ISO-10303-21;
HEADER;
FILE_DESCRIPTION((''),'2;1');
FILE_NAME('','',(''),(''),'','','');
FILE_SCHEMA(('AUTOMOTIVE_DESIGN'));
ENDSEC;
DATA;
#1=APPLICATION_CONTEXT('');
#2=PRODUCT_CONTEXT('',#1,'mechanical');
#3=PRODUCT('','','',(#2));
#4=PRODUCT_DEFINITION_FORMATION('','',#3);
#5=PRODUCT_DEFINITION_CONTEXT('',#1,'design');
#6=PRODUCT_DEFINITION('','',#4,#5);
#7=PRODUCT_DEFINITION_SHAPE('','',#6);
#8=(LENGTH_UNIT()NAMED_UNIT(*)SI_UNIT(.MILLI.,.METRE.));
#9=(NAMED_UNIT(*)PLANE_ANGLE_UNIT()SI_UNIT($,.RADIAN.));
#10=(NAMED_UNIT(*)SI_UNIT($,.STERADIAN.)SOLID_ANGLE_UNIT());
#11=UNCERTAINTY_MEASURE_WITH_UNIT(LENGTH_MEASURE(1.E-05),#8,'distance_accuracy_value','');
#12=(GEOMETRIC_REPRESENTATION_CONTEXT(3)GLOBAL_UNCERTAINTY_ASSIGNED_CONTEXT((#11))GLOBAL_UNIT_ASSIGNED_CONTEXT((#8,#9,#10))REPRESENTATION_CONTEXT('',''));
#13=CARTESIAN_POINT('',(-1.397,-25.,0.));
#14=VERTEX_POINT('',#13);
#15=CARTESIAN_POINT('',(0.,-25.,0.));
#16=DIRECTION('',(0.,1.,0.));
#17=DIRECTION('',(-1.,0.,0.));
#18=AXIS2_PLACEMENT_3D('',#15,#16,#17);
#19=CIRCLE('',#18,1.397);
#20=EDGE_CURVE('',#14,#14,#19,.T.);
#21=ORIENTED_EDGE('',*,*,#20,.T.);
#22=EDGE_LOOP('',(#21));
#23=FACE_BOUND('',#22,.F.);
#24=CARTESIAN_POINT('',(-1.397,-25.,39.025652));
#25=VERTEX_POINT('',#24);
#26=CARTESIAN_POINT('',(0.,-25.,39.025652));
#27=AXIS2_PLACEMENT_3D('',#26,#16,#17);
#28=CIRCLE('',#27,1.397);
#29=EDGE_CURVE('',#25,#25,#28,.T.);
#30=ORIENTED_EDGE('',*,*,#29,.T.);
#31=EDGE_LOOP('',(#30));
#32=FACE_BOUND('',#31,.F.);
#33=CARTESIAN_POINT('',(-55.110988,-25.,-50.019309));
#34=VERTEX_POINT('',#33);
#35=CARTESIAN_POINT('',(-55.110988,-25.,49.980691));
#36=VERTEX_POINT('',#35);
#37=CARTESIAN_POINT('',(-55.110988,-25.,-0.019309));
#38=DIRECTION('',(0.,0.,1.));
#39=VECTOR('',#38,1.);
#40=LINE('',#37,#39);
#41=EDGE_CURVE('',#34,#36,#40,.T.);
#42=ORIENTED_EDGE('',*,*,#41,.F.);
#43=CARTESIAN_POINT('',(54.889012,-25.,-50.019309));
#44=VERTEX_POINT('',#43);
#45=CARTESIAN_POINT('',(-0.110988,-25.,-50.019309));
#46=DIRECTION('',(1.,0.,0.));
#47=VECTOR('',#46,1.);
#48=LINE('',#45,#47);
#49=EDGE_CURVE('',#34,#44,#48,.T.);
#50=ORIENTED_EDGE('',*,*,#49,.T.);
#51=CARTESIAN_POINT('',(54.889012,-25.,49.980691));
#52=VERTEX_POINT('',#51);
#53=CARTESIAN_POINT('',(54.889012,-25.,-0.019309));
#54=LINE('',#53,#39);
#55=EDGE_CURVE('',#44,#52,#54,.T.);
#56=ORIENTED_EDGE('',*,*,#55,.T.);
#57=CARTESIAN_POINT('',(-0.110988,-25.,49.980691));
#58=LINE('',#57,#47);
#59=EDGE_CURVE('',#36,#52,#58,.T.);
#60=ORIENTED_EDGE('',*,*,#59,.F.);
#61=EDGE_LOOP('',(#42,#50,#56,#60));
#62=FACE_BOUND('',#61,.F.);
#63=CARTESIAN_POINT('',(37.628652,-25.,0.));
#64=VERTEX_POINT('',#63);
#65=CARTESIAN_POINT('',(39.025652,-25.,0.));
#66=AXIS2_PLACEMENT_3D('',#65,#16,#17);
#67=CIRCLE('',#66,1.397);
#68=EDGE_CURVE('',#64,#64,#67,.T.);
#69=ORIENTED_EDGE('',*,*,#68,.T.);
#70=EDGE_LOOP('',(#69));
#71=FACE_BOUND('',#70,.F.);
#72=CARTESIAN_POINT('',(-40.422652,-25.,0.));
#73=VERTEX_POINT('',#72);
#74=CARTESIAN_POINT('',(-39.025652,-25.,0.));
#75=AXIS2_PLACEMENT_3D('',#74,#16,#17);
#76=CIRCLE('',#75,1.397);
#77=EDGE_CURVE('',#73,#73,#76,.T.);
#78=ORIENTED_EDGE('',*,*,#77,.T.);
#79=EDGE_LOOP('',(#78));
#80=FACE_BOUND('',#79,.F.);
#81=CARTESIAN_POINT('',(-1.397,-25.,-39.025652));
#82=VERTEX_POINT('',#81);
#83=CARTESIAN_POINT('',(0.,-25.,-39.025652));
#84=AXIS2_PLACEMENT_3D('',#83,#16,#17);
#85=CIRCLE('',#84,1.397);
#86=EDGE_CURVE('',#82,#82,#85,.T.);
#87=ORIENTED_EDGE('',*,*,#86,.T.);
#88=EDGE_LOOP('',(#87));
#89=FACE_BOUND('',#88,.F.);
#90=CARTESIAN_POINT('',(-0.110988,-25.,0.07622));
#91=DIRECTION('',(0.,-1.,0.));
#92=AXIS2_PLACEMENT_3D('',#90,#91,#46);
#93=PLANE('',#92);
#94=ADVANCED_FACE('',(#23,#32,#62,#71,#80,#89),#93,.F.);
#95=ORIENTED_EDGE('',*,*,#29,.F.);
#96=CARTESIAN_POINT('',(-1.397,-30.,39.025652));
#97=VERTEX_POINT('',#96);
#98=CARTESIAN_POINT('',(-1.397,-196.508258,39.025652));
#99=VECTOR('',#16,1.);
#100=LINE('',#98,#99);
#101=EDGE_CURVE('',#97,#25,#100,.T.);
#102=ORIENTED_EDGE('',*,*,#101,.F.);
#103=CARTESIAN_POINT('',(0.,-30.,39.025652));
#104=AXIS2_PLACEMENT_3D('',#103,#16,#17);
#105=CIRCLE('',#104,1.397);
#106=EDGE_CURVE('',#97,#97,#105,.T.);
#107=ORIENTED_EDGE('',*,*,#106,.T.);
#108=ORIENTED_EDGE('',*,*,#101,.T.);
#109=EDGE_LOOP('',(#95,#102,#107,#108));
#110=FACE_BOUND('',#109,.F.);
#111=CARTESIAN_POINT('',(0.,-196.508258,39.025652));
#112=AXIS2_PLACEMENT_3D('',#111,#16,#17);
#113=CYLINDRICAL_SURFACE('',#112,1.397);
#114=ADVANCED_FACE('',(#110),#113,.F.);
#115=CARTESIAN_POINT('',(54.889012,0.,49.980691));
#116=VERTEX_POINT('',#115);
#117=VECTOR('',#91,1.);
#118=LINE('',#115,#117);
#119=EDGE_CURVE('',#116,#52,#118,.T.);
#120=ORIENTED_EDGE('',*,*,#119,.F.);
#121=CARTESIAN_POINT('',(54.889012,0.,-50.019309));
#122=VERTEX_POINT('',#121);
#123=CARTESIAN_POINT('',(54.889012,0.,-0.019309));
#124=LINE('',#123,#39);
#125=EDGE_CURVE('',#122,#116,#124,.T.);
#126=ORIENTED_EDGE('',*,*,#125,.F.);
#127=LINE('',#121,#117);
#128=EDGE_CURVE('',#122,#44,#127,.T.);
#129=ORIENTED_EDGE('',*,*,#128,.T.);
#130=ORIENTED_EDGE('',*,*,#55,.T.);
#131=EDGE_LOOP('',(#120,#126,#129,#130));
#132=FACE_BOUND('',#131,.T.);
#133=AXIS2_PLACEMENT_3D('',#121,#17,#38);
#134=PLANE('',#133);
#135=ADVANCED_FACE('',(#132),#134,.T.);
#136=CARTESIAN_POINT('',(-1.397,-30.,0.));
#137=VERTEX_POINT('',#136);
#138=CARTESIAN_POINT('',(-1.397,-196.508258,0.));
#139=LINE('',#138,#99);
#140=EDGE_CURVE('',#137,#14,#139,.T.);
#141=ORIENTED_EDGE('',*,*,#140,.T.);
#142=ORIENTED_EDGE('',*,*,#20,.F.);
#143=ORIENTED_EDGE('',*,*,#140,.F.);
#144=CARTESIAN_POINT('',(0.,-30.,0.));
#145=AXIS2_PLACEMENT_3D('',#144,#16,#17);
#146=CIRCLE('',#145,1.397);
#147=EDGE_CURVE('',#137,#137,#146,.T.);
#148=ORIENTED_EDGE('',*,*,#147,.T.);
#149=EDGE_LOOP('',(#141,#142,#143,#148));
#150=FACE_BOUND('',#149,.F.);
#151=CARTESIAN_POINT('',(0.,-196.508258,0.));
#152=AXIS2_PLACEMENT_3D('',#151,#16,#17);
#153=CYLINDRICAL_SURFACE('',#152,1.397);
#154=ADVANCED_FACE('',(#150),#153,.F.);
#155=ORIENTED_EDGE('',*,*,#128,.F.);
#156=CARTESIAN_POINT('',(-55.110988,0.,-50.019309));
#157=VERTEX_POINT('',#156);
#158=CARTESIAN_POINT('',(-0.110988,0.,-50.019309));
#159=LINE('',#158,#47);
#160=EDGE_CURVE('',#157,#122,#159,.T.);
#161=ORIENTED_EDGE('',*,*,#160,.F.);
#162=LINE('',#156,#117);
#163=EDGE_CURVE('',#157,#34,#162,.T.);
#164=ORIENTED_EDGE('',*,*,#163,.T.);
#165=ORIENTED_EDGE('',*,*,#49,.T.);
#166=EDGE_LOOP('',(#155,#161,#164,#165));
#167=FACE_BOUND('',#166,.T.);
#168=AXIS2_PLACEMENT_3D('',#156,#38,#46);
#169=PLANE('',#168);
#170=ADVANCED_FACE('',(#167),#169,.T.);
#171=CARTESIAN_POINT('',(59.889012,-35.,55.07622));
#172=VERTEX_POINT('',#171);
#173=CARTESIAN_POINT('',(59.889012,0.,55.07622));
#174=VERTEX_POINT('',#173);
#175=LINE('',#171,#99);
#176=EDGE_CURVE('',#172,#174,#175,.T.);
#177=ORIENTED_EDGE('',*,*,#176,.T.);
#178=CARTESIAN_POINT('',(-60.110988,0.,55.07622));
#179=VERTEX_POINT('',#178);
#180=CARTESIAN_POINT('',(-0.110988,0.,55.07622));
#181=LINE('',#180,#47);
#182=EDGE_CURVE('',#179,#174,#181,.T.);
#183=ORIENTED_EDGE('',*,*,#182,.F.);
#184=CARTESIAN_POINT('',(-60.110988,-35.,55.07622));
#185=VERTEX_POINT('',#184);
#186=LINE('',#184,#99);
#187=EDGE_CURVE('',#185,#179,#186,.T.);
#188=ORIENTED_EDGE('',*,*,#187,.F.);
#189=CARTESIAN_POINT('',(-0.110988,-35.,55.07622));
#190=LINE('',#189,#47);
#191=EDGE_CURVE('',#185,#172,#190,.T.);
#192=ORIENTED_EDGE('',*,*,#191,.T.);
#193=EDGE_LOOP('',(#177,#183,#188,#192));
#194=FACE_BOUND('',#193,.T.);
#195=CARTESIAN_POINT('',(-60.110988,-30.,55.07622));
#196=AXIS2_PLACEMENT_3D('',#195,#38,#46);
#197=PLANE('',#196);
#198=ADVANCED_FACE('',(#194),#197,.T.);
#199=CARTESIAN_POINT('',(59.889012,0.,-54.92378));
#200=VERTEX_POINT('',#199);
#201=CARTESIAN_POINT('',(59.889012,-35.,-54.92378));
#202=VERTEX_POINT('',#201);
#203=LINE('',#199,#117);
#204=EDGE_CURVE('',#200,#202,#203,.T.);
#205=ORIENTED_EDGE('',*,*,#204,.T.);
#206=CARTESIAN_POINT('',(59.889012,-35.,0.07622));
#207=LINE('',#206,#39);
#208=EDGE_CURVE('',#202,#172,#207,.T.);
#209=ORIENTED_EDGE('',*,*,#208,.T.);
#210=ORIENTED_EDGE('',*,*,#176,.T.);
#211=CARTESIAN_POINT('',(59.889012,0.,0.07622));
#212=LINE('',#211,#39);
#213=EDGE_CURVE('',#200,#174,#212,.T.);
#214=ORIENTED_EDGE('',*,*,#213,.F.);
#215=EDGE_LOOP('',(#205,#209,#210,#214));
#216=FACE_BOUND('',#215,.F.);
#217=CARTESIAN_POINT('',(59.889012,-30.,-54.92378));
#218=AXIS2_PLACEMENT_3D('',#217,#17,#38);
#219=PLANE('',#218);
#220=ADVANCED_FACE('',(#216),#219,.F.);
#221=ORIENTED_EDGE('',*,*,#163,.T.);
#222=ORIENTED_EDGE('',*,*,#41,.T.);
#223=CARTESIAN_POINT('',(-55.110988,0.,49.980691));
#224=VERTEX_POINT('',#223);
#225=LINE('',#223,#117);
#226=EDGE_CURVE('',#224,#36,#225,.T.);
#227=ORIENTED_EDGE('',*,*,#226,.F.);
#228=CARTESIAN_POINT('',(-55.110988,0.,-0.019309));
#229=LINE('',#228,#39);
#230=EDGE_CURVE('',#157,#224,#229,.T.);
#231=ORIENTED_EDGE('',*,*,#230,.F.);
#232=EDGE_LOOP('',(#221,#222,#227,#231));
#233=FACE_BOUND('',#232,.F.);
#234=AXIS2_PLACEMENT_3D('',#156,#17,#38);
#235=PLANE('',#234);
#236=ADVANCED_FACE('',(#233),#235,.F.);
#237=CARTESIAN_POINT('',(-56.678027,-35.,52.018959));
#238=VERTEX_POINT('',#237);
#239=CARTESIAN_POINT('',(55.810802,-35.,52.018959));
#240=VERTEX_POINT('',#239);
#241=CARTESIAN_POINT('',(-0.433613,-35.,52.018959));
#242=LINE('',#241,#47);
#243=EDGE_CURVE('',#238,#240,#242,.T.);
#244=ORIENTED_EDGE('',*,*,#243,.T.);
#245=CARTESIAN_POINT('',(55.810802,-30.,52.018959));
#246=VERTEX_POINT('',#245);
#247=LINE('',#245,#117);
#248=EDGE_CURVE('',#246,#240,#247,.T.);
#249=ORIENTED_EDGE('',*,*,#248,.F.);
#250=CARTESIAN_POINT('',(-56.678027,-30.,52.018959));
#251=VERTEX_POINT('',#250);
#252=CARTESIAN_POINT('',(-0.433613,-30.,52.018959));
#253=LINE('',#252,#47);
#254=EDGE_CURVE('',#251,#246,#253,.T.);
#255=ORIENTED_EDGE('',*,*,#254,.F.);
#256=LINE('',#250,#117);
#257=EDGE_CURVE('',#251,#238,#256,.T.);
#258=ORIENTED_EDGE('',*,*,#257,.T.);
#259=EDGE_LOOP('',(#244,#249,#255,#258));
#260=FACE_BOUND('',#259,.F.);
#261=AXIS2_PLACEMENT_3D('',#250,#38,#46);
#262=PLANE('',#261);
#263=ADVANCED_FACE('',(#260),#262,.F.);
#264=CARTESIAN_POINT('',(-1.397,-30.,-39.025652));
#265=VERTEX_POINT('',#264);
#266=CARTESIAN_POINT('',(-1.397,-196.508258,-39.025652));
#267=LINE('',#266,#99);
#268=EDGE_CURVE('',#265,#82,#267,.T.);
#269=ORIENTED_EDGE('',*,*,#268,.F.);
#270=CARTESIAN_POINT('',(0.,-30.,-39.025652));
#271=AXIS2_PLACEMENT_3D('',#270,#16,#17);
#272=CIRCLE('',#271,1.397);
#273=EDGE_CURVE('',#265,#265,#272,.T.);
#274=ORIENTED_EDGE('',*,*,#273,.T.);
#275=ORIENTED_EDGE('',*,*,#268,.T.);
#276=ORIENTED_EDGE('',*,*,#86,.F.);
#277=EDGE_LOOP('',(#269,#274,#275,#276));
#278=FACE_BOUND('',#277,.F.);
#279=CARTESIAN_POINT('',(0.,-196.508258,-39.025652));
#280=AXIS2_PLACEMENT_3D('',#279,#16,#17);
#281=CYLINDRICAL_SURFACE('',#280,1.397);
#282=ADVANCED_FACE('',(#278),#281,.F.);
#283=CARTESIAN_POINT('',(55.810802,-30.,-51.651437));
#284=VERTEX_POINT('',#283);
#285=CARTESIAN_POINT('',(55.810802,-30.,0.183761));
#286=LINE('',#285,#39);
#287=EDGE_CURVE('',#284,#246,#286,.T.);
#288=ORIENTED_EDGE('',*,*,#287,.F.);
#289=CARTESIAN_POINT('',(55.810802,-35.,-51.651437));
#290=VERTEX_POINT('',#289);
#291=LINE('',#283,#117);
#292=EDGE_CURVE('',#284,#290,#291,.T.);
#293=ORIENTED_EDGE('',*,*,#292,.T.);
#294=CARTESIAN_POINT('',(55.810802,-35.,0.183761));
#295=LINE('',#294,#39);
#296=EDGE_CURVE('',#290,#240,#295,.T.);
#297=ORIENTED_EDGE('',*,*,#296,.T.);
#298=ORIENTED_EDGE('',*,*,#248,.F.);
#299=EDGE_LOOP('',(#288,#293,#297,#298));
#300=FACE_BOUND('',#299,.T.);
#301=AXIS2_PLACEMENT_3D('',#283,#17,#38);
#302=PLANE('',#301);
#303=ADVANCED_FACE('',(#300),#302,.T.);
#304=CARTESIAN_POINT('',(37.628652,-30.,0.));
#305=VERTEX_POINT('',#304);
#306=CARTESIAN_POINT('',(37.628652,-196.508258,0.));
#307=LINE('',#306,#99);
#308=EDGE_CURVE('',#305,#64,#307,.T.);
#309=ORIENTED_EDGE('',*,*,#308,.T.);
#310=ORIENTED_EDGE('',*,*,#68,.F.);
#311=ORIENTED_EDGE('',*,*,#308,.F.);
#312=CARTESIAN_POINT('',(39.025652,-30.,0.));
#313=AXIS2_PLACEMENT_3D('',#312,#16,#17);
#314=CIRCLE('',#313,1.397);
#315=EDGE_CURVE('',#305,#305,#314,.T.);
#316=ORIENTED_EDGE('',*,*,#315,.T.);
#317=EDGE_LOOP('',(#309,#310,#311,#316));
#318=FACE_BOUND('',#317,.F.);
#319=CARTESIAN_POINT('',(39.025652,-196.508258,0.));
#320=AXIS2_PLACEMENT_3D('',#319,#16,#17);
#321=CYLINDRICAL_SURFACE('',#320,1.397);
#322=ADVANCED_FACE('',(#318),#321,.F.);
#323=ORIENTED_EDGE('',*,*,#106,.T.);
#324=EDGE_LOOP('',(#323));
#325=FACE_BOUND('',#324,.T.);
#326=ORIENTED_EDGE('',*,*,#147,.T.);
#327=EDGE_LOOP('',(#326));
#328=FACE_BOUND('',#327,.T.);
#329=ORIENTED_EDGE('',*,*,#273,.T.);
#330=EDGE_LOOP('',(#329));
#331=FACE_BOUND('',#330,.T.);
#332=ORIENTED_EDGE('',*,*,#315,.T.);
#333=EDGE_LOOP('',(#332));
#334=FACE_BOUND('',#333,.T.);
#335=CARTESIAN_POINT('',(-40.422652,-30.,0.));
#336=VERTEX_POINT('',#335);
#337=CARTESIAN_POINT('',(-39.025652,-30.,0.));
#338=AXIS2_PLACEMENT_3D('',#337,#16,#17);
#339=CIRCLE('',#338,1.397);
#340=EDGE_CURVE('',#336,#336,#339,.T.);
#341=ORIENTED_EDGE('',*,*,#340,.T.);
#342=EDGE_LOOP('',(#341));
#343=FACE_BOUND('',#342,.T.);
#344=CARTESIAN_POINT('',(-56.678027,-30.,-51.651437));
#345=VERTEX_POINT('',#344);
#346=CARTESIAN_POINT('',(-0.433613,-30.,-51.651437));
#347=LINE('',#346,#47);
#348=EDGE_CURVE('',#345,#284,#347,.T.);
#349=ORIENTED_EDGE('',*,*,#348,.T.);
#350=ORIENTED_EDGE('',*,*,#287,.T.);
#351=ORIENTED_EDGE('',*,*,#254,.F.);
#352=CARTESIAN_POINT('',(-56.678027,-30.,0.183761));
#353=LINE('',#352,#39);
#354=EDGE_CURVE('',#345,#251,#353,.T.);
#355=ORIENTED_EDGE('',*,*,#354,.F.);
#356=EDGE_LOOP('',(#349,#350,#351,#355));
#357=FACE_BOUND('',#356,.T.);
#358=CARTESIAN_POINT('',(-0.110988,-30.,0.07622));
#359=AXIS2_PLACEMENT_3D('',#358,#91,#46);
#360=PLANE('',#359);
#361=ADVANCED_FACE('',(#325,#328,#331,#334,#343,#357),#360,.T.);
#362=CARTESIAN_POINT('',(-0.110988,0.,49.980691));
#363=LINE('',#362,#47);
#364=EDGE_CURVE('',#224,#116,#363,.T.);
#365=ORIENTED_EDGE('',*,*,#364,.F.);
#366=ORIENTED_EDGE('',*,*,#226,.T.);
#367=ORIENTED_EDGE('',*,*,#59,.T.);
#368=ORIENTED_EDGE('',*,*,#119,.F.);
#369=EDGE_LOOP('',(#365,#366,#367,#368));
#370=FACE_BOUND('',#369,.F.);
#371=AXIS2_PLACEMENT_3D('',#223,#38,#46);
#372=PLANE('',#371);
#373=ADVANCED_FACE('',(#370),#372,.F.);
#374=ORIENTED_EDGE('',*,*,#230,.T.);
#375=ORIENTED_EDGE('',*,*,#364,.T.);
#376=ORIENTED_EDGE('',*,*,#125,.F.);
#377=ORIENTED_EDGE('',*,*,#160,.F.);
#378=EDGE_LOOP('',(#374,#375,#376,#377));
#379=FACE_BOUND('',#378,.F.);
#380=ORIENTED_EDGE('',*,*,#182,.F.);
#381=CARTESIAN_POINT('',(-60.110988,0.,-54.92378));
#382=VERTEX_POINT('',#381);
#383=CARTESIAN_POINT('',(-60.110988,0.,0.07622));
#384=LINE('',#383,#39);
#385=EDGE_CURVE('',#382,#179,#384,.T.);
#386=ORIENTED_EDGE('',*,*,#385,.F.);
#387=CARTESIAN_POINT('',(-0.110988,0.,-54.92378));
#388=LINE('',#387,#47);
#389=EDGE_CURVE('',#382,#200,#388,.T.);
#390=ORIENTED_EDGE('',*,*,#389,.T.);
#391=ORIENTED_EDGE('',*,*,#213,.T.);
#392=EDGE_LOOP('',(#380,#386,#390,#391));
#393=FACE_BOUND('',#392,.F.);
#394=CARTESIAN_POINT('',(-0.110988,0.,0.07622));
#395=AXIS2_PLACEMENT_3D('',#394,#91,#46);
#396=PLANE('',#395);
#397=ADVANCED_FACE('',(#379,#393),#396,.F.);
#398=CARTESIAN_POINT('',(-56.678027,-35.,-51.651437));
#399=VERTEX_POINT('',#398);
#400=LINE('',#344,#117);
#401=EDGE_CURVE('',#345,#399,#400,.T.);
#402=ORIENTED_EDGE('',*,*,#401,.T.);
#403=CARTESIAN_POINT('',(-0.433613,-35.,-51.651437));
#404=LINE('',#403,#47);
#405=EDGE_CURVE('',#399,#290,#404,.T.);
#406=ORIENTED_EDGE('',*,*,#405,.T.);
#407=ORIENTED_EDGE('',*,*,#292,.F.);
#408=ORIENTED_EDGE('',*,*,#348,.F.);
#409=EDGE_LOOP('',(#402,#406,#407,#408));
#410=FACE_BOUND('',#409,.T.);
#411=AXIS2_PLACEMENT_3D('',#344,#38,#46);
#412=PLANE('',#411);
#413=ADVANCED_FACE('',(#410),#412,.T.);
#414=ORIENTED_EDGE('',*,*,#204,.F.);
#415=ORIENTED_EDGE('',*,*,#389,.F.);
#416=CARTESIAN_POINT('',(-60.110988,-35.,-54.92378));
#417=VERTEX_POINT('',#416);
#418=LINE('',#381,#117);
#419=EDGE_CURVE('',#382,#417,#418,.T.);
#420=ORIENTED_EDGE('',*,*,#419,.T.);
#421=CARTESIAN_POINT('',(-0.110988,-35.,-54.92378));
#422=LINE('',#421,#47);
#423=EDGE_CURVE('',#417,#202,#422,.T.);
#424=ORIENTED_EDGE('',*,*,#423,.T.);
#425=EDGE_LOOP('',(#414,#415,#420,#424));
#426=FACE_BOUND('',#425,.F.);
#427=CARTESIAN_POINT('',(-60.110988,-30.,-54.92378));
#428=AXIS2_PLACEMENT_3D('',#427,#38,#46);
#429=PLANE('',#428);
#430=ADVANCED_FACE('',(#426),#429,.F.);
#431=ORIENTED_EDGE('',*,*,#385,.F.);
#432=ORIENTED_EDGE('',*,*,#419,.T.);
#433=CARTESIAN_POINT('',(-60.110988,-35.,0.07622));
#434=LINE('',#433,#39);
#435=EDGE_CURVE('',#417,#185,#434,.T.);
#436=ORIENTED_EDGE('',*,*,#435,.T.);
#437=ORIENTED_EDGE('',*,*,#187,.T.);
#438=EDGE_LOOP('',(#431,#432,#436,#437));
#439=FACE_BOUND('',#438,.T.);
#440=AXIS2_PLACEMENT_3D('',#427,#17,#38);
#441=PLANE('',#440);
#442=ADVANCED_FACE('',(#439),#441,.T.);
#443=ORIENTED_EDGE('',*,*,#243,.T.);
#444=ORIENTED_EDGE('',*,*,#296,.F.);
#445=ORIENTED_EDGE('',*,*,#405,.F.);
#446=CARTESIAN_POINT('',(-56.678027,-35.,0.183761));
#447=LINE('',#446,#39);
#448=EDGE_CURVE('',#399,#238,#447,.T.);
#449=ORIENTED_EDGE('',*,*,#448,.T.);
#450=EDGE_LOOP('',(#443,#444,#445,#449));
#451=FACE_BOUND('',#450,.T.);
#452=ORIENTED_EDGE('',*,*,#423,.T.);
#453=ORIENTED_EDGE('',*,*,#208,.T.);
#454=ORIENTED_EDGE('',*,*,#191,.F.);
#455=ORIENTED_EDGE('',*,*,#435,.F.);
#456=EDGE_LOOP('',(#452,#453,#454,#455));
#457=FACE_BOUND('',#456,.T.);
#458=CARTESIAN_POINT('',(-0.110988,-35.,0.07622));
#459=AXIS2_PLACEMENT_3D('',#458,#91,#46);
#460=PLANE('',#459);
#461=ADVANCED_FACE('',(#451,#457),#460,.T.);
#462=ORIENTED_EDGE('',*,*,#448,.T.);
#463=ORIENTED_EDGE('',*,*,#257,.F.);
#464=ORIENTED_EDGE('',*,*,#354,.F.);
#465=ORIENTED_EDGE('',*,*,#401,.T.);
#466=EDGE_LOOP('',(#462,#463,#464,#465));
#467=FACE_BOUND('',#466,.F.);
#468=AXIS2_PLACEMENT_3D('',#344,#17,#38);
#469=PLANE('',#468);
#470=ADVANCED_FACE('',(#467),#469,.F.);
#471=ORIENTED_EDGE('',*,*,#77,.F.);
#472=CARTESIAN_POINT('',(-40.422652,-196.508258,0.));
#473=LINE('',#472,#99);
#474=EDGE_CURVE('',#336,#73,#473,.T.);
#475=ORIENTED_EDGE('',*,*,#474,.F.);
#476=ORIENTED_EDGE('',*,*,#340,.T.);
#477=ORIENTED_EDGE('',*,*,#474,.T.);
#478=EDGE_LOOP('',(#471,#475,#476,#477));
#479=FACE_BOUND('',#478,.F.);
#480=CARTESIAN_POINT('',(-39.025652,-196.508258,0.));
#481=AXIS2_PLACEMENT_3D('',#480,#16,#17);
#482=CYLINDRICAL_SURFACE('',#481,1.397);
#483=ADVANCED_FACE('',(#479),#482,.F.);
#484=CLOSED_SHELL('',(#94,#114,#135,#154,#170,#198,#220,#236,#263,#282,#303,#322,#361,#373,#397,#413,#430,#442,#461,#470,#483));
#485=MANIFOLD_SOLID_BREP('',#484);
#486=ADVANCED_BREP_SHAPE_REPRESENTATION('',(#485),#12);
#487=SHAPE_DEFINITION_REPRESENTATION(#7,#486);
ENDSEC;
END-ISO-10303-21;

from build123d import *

# Parameters (mm, degrees)
F0_W     = 120
F0_H     = 110
F0_W_2   = 110
F0_H_2   = 100
F1_DEPTH = 25
F2_W     = 120
F2_H     = 110
F2_W_2   = 110
F2_H_2   = 100
F3_DEPTH = 5
F4_W     = 120
F4_H     = 110
F4_W_2   = 112.4888285995
F4_H_2   = 103.6703959107
F5_DEPTH = 5
F7_D     = 2.794


with BuildPart() as f1:
    # F0 (on Front) → F1 (new body)
    with BuildSketch(Plane.XZ):
        with Locations((-0.1109875739, 0.0762201769)):
            Rectangle(F0_W, F0_H)
        with Locations((-0.1109875739, -0.0193089247)):
            Rectangle(F0_W_2, F0_H_2, mode=Mode.SUBTRACT)
    extrude(amount=F1_DEPTH)

    # F2 (on face) → F3 (join)
    with BuildSketch(Plane.XZ.offset(25)):
        with Locations((-0.1109875739, 0.0762201769)):
            Rectangle(F2_W, F2_H)
        with Locations((-0.1109875739, -0.0193089247)):
            Rectangle(F2_W_2, F2_H_2, mode=Mode.SUBTRACT)
        with Locations((-0.1109875739, -0.0193089247)):
            Rectangle(F2_W_2, F2_H_2)
    extrude(amount=F3_DEPTH)

    # F4 (on face) → F5 (join)
    with BuildSketch(Plane.XZ.offset(30)):
        with Locations((-0.1109875739, 0.0762201769)):
            Rectangle(F4_W, F4_H)
        with Locations((-0.4336126149, 0.1837611198)):
            Rectangle(F4_W_2, F4_H_2, mode=Mode.SUBTRACT)
    extrude(amount=F5_DEPTH)

    # F7 (through all)
    with Locations(Plane.XZ.offset(30)):
        with Locations((0, 39.025651645), (-39.025651645, 0), (0, -39.025651645), (39.025651645, 0), (0, 0)):
            Hole(F7_D / 2)


solid = f1.part
